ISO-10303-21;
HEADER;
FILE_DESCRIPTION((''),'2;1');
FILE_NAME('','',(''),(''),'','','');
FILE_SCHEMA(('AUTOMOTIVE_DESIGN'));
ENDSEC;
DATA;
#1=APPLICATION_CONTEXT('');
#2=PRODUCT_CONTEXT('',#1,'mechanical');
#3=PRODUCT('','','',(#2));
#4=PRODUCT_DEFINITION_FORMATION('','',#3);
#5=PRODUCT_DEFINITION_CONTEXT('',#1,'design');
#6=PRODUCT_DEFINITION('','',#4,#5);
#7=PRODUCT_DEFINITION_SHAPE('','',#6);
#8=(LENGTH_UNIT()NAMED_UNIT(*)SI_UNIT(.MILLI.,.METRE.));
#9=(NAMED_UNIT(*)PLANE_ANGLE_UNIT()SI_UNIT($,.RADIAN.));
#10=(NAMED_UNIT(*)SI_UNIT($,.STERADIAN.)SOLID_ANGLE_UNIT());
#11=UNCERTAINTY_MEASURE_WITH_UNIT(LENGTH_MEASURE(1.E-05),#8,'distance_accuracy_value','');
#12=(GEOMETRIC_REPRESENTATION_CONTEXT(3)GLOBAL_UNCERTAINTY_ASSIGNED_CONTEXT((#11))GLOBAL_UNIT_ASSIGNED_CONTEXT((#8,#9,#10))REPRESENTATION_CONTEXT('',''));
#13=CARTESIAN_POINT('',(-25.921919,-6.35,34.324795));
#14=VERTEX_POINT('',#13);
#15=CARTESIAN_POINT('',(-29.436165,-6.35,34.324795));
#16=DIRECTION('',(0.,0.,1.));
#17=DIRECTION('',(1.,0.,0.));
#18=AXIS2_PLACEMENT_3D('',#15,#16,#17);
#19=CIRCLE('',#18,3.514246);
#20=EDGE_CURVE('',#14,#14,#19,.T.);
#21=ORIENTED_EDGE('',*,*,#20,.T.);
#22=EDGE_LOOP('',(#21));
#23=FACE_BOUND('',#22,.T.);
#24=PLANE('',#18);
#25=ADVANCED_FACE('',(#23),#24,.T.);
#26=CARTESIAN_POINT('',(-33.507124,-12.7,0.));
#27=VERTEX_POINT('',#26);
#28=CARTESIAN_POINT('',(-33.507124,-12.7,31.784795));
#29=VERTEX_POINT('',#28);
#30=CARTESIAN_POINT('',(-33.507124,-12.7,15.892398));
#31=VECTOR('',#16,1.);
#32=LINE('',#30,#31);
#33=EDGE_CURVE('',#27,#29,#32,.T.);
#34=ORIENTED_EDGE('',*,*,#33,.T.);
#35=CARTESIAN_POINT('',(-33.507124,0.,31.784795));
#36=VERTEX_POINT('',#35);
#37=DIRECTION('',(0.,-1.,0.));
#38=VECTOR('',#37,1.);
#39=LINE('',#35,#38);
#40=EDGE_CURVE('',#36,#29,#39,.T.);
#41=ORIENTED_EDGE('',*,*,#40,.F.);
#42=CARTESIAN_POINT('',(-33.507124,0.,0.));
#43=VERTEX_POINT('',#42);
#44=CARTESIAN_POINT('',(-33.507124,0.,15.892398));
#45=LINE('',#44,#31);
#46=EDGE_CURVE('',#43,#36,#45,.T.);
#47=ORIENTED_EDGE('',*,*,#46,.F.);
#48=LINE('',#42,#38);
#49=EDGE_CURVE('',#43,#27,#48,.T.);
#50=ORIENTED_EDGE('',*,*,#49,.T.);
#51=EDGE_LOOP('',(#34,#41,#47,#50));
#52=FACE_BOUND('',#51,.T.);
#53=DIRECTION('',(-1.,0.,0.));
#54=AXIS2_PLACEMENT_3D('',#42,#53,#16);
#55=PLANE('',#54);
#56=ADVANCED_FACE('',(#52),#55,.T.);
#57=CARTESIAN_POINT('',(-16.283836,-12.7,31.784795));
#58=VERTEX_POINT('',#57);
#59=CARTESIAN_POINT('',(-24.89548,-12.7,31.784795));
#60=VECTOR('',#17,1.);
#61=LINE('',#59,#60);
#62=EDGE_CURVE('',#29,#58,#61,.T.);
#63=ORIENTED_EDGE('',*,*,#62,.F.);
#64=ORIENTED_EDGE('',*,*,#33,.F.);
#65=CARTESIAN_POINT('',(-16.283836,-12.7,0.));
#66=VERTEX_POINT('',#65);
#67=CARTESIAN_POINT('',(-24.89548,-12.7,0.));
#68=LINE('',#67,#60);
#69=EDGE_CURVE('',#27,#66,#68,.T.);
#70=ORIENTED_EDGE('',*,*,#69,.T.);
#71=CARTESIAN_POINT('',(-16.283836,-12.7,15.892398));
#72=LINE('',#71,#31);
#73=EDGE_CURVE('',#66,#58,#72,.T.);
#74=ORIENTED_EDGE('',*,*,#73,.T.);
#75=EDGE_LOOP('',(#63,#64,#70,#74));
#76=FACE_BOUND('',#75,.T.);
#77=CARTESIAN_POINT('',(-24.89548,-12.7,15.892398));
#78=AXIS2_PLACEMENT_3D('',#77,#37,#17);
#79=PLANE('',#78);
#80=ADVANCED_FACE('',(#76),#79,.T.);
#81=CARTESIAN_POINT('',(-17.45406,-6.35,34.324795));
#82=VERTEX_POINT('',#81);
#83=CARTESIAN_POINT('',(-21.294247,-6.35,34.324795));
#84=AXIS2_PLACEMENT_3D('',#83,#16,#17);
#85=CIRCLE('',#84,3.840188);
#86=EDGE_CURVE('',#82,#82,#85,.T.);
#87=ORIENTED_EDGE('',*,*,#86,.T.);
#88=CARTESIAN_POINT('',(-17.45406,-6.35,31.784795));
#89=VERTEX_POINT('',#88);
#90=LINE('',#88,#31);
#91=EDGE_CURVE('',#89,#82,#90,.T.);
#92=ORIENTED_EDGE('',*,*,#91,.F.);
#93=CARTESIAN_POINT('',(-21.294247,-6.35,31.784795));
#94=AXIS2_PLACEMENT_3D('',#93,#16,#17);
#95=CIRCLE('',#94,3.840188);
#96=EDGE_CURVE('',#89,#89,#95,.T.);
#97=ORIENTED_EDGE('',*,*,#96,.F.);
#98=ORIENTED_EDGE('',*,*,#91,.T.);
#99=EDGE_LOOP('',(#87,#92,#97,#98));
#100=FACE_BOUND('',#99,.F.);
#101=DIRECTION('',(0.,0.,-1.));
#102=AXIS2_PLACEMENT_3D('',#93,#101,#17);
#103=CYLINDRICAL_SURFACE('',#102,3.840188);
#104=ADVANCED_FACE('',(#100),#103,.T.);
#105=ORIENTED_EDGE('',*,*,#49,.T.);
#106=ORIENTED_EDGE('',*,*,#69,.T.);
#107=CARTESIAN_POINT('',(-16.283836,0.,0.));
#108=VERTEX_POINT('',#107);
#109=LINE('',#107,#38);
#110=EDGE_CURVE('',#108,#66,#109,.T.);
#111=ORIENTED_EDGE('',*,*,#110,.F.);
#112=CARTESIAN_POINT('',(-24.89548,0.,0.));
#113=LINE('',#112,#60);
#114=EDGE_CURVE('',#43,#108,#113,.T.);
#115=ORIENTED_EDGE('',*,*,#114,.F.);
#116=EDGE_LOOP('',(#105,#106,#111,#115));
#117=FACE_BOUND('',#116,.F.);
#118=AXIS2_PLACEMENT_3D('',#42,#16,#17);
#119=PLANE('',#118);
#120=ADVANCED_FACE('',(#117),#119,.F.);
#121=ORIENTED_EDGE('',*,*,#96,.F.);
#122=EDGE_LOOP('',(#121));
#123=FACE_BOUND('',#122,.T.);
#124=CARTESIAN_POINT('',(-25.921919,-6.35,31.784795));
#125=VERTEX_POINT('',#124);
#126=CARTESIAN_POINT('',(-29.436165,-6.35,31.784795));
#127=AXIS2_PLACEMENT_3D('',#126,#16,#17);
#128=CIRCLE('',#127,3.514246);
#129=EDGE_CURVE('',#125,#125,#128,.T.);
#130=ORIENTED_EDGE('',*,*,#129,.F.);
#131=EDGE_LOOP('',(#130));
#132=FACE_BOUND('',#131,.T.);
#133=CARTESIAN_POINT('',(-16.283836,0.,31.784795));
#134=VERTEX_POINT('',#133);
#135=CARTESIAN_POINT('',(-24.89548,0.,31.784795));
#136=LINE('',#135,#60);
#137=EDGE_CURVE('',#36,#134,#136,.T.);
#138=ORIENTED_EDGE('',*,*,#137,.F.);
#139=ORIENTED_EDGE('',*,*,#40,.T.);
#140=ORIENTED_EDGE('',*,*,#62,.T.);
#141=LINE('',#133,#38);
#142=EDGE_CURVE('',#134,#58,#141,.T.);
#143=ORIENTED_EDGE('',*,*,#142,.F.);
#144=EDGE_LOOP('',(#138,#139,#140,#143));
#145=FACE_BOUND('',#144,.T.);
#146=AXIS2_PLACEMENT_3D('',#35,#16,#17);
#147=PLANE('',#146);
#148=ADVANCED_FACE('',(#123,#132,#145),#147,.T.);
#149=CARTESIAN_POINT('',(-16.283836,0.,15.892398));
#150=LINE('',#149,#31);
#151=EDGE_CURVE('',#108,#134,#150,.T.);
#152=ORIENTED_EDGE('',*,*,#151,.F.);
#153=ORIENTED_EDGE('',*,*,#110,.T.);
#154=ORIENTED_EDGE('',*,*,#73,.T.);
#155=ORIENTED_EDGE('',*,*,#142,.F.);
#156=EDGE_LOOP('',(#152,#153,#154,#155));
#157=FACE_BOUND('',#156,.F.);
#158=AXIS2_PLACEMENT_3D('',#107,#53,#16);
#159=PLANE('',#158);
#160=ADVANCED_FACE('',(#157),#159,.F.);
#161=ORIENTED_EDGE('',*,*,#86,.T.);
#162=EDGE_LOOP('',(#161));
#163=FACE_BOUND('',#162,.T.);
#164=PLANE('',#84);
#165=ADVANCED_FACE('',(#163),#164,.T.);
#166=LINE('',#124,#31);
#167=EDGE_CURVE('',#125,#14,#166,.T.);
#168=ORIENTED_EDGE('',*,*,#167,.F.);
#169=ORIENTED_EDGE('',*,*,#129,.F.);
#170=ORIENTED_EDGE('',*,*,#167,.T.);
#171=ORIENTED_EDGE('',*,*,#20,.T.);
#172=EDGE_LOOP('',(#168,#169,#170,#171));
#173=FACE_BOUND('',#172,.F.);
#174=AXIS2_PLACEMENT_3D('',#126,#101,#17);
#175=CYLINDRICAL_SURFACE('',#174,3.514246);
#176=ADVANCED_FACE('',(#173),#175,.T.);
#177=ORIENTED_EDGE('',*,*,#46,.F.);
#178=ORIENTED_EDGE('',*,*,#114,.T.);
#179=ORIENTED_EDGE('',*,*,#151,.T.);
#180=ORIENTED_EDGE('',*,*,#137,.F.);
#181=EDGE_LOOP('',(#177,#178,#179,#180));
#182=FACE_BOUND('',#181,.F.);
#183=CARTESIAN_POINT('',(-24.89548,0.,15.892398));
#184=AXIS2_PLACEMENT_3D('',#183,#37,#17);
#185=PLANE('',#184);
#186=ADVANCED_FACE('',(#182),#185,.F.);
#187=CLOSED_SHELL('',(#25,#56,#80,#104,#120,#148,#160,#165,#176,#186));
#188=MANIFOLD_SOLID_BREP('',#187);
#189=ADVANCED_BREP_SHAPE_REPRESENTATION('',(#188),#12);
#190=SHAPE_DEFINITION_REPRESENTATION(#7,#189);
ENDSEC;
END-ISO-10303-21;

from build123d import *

# Parameters (mm, degrees)
F0_W     = 17.2232873738
F0_H     = 31.7847952247
F1_DEPTH = 12.7
F2_R     = 3.8401875165
F2_R_2   = 3.5142464727
F3_DEPTH = 2.54


with BuildPart() as f1:
    # F0 (on Front) → F1 (new body)
    with BuildSketch(Plane.XZ):
        with Locations((-24.8954799026, 15.8923976123)):
            Rectangle(F0_W, F0_H)
    extrude(amount=F1_DEPTH)

    # F2 (on face) → F3 (join)
    with BuildSketch(Plane.XY.offset(31.7847952247)):
        with Locations((-21.294247359, -6.35)):
            Circle(F2_R)
        with Locations((-29.4361654669, -6.35)):
            Circle(F2_R_2)
    extrude(amount=F3_DEPTH)


solid = f1.part
